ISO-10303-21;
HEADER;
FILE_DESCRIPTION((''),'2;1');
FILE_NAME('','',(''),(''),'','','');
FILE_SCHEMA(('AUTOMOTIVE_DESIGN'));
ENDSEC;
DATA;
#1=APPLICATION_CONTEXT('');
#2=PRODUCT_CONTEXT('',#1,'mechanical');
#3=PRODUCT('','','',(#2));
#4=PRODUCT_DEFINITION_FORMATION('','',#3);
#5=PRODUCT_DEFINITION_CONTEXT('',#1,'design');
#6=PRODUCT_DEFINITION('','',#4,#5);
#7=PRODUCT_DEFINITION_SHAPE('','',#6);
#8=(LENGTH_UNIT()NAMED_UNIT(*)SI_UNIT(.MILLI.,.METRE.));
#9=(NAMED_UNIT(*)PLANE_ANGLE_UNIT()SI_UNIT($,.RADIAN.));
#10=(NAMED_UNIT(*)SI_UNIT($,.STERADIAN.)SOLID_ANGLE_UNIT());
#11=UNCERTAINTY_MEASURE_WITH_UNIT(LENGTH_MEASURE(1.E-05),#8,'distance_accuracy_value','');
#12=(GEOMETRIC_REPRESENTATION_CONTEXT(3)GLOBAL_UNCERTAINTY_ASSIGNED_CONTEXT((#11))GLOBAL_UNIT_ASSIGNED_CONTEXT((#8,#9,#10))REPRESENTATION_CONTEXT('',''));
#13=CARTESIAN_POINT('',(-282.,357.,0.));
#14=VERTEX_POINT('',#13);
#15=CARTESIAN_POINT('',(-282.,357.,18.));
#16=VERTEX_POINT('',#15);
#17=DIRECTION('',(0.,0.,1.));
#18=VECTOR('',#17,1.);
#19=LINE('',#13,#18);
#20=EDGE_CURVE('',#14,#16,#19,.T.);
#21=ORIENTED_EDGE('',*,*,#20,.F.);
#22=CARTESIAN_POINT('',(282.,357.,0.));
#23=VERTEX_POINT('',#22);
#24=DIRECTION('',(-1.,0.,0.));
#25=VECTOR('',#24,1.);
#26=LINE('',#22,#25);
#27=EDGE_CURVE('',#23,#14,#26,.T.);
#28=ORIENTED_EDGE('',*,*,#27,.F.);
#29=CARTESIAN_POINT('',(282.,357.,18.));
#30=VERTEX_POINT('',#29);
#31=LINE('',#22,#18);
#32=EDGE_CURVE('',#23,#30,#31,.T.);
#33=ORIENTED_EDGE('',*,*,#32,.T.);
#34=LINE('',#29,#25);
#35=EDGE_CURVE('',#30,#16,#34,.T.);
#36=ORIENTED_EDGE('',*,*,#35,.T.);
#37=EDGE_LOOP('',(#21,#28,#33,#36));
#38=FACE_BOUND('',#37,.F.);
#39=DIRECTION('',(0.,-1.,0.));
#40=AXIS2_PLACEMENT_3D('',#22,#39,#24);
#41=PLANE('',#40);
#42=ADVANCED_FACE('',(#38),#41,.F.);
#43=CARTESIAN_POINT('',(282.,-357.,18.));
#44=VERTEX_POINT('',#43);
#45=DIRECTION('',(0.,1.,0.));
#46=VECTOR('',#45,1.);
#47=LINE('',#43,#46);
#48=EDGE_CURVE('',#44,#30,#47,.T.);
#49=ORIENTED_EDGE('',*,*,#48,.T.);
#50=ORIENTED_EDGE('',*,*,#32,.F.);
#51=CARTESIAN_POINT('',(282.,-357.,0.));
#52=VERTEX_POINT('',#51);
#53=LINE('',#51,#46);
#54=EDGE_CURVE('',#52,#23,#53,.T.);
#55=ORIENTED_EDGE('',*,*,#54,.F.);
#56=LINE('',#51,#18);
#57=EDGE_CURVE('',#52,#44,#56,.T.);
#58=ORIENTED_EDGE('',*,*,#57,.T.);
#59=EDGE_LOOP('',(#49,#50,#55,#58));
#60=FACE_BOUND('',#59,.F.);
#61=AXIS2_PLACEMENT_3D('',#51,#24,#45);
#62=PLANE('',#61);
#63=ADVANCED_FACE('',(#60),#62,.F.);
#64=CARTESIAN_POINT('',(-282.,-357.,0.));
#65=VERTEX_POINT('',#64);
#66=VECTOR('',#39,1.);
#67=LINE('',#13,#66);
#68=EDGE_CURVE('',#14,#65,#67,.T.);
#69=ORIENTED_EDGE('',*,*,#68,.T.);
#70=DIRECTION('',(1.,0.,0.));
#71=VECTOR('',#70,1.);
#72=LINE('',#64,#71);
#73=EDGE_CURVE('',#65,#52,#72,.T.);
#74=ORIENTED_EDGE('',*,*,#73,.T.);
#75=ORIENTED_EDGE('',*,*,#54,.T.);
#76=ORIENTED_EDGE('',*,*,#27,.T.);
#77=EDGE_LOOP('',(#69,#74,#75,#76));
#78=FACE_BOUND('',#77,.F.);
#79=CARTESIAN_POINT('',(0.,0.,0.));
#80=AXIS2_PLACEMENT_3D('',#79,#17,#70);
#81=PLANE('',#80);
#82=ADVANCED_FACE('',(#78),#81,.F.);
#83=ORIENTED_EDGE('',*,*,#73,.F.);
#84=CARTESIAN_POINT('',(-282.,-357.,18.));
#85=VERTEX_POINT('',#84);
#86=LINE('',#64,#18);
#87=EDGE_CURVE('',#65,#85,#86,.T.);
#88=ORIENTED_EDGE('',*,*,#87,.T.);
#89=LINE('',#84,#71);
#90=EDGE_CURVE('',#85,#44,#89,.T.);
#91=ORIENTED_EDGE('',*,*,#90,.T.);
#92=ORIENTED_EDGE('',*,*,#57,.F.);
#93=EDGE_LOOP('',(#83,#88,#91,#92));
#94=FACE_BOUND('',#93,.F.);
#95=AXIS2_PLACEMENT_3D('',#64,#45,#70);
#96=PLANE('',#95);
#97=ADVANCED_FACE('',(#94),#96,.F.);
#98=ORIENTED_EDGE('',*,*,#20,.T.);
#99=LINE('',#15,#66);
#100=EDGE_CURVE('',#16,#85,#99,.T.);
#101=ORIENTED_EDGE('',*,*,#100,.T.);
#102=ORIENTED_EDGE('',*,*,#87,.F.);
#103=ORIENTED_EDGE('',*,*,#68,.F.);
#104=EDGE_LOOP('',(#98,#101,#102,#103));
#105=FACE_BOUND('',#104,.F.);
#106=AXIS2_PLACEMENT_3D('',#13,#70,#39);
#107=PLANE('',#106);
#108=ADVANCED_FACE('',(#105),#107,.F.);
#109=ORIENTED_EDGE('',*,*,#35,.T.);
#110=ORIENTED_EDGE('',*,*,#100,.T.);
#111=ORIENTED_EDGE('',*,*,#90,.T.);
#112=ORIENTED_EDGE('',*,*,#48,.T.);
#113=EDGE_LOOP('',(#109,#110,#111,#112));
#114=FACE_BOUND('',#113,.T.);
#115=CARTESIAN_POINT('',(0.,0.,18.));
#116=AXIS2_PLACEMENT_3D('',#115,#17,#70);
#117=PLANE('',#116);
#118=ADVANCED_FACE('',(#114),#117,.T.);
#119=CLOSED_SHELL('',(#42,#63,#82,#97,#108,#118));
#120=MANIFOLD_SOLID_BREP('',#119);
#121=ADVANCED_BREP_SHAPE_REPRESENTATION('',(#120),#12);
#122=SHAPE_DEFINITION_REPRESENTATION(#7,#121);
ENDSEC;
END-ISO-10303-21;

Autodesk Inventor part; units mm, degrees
ref_plane "YZ Plane" through (0, 0, 0) normal (1, 0, 0) x (0, 1, 0)
ref_plane "XZ Plane" through (0, 0, 0) normal (0, 1, 0) x (-1, 0, 0)
ref_plane "XY Plane" through (0, 0, 0) normal (0, 0, 1) x (1, 0, 0)
sketch "Sketch1" plane through (0, 0, 0) normal (0, 0, 1) x (1, 0, 0)
  line L0 (-282, -357) -> (282, -357)
  line L1 (282, -357) -> (282, 357)
  line L2 (282, 357) -> (-282, 357)
  line L3 (-282, 357) -> (-282, -357)
  line L4 (-282, -357) -> (282, 357) construction
  line L5 (282, -357) -> (-282, 357) construction
  point P0 (0, 0)
  dimension "d0" = 564
  dimension "d1" = 714
extrude "Extrusion1" add sketch "Sketch1" along normal blind 18
properties part number "polka"
